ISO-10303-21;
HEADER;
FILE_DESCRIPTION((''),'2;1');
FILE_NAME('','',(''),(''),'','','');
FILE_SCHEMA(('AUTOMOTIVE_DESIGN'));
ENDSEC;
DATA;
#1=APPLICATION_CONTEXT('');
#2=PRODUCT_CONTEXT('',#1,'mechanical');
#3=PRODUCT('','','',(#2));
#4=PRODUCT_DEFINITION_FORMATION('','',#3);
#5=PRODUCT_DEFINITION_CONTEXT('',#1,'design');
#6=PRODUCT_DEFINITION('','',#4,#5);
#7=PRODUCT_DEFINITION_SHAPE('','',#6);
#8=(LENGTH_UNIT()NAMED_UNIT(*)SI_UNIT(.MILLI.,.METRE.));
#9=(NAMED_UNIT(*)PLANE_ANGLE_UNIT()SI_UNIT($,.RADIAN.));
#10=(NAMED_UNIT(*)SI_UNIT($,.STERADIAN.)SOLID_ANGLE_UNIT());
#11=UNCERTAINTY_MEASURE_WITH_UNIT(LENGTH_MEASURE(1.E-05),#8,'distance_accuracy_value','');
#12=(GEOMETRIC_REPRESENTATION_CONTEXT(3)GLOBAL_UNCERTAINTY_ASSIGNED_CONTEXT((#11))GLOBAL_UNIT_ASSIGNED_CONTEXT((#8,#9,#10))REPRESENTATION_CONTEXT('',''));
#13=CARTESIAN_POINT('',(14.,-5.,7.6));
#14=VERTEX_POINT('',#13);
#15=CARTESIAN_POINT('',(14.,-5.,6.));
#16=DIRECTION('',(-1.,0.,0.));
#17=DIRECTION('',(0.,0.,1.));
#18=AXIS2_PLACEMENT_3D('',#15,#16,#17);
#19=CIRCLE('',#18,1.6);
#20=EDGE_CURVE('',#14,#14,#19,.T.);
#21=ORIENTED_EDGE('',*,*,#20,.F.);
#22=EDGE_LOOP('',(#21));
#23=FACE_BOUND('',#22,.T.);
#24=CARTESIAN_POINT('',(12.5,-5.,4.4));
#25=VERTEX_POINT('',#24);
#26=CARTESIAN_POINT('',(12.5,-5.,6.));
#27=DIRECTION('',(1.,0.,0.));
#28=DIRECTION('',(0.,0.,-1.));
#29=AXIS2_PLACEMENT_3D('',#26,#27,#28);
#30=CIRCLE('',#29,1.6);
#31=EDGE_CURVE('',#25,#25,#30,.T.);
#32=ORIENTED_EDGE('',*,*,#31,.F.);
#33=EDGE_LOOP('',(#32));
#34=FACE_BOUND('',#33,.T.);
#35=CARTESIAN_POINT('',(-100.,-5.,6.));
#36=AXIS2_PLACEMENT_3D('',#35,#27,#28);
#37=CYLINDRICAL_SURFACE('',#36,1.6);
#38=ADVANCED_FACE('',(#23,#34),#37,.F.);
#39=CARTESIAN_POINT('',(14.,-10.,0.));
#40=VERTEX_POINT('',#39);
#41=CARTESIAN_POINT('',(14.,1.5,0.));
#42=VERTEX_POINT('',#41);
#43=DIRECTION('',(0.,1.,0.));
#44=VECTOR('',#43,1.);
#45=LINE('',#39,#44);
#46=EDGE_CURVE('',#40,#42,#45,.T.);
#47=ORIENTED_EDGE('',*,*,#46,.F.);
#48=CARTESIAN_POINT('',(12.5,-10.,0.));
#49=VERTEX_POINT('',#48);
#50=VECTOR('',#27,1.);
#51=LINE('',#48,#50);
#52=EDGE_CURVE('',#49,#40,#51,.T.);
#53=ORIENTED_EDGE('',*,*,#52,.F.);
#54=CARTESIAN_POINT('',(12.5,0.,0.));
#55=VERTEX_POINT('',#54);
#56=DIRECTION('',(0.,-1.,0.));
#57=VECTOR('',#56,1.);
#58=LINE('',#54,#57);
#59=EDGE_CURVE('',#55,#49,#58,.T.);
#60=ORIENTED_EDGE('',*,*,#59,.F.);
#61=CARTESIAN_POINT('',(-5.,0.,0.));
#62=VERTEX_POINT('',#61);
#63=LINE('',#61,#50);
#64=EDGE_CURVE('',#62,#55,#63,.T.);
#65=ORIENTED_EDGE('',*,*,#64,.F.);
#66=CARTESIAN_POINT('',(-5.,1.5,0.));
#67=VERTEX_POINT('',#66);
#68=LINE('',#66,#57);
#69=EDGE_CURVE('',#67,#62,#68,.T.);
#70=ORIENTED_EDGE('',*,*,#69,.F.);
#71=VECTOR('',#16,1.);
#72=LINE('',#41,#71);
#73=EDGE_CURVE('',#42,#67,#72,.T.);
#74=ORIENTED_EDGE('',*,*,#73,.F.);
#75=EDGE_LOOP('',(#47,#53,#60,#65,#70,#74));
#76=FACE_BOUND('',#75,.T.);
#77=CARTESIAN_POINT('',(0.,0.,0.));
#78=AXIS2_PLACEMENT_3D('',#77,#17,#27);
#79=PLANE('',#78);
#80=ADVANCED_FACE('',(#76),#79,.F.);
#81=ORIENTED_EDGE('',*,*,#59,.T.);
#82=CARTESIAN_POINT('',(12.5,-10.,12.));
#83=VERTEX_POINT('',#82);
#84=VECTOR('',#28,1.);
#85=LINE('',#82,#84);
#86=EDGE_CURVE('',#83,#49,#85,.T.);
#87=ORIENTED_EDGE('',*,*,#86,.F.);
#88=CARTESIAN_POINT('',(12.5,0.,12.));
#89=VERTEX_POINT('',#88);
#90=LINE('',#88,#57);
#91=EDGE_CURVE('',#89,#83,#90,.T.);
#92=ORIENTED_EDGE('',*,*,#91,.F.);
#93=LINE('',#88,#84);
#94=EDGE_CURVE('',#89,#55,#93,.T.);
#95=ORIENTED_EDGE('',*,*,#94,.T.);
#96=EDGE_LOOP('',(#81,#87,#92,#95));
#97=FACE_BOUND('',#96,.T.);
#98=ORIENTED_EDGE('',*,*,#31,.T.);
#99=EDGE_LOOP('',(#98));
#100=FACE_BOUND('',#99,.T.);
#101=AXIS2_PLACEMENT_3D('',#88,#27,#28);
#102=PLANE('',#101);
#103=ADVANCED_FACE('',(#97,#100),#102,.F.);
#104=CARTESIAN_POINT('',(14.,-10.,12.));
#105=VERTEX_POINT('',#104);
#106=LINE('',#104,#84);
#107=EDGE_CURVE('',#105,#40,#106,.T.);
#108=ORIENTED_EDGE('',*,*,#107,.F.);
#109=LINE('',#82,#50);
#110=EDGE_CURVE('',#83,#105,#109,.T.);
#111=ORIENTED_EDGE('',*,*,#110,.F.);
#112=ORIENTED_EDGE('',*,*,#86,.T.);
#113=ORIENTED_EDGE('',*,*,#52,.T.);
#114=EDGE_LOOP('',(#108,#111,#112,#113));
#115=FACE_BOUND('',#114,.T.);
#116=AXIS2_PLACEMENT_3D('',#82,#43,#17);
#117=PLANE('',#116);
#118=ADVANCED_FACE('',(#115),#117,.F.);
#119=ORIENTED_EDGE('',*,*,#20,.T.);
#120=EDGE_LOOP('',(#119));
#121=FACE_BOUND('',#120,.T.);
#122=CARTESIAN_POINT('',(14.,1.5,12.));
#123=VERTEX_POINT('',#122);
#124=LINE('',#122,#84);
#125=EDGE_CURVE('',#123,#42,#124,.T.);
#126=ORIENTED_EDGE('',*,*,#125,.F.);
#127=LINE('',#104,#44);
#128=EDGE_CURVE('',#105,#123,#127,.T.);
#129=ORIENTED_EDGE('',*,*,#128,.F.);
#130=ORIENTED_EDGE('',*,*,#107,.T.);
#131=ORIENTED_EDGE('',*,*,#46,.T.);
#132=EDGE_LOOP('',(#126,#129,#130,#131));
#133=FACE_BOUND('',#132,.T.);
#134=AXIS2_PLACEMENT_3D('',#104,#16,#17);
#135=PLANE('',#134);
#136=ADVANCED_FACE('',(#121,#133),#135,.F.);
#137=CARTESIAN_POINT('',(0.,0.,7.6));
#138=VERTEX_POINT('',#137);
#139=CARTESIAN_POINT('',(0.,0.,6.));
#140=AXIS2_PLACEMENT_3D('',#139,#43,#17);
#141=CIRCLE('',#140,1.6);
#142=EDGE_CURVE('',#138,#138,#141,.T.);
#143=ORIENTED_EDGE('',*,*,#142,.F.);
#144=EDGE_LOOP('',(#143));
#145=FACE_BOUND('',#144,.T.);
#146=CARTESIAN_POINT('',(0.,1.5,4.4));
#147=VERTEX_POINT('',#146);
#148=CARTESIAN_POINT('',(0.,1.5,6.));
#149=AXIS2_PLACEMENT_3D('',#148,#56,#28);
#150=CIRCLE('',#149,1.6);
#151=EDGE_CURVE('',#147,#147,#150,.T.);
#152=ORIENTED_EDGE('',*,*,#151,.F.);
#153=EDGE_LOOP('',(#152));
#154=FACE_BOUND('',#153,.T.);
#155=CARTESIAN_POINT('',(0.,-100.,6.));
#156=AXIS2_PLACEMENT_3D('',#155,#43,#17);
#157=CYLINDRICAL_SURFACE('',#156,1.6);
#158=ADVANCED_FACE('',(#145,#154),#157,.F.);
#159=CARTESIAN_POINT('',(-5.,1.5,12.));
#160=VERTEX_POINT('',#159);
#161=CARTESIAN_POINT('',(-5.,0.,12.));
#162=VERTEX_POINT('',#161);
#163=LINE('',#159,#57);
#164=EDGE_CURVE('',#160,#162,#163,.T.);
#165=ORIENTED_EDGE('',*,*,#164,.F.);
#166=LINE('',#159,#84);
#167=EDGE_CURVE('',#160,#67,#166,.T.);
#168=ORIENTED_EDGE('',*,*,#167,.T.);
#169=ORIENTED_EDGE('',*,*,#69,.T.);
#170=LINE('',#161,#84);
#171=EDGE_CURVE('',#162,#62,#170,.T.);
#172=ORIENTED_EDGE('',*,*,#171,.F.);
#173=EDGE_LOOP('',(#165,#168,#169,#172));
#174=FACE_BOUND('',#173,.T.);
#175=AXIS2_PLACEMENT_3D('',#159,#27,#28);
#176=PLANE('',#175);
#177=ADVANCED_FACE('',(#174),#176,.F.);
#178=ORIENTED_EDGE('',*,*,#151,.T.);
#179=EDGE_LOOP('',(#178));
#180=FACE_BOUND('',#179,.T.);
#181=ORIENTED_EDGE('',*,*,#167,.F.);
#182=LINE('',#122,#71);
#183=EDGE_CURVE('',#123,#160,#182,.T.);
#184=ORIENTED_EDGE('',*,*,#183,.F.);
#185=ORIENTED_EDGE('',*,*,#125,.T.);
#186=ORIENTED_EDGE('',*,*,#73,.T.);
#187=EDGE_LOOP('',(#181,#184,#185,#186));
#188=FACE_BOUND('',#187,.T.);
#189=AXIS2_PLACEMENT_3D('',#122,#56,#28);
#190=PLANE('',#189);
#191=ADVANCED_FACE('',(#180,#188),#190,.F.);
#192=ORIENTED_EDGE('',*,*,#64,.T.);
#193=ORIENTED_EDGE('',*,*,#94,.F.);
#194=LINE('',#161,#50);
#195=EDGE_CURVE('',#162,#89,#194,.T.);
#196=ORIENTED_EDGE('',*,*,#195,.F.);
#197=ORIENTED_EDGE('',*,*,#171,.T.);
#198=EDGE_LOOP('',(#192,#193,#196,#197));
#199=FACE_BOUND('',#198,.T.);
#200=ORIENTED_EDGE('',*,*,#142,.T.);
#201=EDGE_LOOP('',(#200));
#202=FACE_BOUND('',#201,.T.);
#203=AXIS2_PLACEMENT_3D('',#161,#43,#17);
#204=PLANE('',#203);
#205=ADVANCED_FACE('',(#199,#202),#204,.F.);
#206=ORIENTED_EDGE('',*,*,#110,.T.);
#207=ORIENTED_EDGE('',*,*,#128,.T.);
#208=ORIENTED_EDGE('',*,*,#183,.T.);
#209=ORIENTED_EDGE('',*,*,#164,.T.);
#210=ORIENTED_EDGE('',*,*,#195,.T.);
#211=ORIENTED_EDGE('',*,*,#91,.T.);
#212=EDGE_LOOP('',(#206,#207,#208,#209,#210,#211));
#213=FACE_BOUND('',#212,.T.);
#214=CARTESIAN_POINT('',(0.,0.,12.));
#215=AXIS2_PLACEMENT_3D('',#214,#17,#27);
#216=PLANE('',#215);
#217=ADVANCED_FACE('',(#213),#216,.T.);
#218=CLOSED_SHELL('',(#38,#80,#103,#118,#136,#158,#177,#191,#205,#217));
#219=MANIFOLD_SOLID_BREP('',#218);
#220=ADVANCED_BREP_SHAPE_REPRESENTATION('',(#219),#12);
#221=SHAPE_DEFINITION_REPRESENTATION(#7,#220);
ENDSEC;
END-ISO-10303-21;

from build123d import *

# Parameters (mm, degrees)
F_1P5MM_12_DEPTH            = 12
CUT_EXTRUDE_M3_DEPTH        = 100
CUT_EXTRUDE_M3_DEPTH_BACK   = 100
SKETCH_2_R                  = 1.6
CUT_EXTRUDE_M3_2_DEPTH      = 100
CUT_EXTRUDE_M3_2_DEPTH_BACK = 100
SKETCH_3_R                  = 1.6


with BuildPart() as part:
    # 草图1 → 1p5mm直角固定座_宽12 (new body)
    with BuildSketch(Plane.XY):
        Polygon((-5, 0), (12.5, 0), (12.5, -10), (14, -10), (14, 1.5), (-5, 1.5), align=None)
    extrude(amount=F_1P5MM_12_DEPTH)

    # 草图2 → Cut-Extrude M3 (cut, two sides: drawn at the far end of the back side and taken through both)
    with BuildSketch(Plane(origin=(0, 0, 0), x_dir=(1, 0, 0), z_dir=(0, 1, 0)).offset(-CUT_EXTRUDE_M3_DEPTH_BACK)):
        with Locations(Location((0, -6, 0), (0, 0, 270))):
            Circle(SKETCH_2_R)
    extrude(amount=CUT_EXTRUDE_M3_DEPTH + CUT_EXTRUDE_M3_DEPTH_BACK, mode=Mode.SUBTRACT)

    # 草图3 → Cut-Extrude M3 2 (cut, two sides: drawn at the far end of the back side and taken through both)
    with BuildSketch(Plane(origin=(0, 0, 0), x_dir=(0, 0, -1), z_dir=(1, 0, 0)).offset(-CUT_EXTRUDE_M3_2_DEPTH_BACK)):
        with Locations((-6, -5)):
            Circle(SKETCH_3_R)
    extrude(amount=CUT_EXTRUDE_M3_2_DEPTH + CUT_EXTRUDE_M3_2_DEPTH_BACK, mode=Mode.SUBTRACT)


solid = part.part
